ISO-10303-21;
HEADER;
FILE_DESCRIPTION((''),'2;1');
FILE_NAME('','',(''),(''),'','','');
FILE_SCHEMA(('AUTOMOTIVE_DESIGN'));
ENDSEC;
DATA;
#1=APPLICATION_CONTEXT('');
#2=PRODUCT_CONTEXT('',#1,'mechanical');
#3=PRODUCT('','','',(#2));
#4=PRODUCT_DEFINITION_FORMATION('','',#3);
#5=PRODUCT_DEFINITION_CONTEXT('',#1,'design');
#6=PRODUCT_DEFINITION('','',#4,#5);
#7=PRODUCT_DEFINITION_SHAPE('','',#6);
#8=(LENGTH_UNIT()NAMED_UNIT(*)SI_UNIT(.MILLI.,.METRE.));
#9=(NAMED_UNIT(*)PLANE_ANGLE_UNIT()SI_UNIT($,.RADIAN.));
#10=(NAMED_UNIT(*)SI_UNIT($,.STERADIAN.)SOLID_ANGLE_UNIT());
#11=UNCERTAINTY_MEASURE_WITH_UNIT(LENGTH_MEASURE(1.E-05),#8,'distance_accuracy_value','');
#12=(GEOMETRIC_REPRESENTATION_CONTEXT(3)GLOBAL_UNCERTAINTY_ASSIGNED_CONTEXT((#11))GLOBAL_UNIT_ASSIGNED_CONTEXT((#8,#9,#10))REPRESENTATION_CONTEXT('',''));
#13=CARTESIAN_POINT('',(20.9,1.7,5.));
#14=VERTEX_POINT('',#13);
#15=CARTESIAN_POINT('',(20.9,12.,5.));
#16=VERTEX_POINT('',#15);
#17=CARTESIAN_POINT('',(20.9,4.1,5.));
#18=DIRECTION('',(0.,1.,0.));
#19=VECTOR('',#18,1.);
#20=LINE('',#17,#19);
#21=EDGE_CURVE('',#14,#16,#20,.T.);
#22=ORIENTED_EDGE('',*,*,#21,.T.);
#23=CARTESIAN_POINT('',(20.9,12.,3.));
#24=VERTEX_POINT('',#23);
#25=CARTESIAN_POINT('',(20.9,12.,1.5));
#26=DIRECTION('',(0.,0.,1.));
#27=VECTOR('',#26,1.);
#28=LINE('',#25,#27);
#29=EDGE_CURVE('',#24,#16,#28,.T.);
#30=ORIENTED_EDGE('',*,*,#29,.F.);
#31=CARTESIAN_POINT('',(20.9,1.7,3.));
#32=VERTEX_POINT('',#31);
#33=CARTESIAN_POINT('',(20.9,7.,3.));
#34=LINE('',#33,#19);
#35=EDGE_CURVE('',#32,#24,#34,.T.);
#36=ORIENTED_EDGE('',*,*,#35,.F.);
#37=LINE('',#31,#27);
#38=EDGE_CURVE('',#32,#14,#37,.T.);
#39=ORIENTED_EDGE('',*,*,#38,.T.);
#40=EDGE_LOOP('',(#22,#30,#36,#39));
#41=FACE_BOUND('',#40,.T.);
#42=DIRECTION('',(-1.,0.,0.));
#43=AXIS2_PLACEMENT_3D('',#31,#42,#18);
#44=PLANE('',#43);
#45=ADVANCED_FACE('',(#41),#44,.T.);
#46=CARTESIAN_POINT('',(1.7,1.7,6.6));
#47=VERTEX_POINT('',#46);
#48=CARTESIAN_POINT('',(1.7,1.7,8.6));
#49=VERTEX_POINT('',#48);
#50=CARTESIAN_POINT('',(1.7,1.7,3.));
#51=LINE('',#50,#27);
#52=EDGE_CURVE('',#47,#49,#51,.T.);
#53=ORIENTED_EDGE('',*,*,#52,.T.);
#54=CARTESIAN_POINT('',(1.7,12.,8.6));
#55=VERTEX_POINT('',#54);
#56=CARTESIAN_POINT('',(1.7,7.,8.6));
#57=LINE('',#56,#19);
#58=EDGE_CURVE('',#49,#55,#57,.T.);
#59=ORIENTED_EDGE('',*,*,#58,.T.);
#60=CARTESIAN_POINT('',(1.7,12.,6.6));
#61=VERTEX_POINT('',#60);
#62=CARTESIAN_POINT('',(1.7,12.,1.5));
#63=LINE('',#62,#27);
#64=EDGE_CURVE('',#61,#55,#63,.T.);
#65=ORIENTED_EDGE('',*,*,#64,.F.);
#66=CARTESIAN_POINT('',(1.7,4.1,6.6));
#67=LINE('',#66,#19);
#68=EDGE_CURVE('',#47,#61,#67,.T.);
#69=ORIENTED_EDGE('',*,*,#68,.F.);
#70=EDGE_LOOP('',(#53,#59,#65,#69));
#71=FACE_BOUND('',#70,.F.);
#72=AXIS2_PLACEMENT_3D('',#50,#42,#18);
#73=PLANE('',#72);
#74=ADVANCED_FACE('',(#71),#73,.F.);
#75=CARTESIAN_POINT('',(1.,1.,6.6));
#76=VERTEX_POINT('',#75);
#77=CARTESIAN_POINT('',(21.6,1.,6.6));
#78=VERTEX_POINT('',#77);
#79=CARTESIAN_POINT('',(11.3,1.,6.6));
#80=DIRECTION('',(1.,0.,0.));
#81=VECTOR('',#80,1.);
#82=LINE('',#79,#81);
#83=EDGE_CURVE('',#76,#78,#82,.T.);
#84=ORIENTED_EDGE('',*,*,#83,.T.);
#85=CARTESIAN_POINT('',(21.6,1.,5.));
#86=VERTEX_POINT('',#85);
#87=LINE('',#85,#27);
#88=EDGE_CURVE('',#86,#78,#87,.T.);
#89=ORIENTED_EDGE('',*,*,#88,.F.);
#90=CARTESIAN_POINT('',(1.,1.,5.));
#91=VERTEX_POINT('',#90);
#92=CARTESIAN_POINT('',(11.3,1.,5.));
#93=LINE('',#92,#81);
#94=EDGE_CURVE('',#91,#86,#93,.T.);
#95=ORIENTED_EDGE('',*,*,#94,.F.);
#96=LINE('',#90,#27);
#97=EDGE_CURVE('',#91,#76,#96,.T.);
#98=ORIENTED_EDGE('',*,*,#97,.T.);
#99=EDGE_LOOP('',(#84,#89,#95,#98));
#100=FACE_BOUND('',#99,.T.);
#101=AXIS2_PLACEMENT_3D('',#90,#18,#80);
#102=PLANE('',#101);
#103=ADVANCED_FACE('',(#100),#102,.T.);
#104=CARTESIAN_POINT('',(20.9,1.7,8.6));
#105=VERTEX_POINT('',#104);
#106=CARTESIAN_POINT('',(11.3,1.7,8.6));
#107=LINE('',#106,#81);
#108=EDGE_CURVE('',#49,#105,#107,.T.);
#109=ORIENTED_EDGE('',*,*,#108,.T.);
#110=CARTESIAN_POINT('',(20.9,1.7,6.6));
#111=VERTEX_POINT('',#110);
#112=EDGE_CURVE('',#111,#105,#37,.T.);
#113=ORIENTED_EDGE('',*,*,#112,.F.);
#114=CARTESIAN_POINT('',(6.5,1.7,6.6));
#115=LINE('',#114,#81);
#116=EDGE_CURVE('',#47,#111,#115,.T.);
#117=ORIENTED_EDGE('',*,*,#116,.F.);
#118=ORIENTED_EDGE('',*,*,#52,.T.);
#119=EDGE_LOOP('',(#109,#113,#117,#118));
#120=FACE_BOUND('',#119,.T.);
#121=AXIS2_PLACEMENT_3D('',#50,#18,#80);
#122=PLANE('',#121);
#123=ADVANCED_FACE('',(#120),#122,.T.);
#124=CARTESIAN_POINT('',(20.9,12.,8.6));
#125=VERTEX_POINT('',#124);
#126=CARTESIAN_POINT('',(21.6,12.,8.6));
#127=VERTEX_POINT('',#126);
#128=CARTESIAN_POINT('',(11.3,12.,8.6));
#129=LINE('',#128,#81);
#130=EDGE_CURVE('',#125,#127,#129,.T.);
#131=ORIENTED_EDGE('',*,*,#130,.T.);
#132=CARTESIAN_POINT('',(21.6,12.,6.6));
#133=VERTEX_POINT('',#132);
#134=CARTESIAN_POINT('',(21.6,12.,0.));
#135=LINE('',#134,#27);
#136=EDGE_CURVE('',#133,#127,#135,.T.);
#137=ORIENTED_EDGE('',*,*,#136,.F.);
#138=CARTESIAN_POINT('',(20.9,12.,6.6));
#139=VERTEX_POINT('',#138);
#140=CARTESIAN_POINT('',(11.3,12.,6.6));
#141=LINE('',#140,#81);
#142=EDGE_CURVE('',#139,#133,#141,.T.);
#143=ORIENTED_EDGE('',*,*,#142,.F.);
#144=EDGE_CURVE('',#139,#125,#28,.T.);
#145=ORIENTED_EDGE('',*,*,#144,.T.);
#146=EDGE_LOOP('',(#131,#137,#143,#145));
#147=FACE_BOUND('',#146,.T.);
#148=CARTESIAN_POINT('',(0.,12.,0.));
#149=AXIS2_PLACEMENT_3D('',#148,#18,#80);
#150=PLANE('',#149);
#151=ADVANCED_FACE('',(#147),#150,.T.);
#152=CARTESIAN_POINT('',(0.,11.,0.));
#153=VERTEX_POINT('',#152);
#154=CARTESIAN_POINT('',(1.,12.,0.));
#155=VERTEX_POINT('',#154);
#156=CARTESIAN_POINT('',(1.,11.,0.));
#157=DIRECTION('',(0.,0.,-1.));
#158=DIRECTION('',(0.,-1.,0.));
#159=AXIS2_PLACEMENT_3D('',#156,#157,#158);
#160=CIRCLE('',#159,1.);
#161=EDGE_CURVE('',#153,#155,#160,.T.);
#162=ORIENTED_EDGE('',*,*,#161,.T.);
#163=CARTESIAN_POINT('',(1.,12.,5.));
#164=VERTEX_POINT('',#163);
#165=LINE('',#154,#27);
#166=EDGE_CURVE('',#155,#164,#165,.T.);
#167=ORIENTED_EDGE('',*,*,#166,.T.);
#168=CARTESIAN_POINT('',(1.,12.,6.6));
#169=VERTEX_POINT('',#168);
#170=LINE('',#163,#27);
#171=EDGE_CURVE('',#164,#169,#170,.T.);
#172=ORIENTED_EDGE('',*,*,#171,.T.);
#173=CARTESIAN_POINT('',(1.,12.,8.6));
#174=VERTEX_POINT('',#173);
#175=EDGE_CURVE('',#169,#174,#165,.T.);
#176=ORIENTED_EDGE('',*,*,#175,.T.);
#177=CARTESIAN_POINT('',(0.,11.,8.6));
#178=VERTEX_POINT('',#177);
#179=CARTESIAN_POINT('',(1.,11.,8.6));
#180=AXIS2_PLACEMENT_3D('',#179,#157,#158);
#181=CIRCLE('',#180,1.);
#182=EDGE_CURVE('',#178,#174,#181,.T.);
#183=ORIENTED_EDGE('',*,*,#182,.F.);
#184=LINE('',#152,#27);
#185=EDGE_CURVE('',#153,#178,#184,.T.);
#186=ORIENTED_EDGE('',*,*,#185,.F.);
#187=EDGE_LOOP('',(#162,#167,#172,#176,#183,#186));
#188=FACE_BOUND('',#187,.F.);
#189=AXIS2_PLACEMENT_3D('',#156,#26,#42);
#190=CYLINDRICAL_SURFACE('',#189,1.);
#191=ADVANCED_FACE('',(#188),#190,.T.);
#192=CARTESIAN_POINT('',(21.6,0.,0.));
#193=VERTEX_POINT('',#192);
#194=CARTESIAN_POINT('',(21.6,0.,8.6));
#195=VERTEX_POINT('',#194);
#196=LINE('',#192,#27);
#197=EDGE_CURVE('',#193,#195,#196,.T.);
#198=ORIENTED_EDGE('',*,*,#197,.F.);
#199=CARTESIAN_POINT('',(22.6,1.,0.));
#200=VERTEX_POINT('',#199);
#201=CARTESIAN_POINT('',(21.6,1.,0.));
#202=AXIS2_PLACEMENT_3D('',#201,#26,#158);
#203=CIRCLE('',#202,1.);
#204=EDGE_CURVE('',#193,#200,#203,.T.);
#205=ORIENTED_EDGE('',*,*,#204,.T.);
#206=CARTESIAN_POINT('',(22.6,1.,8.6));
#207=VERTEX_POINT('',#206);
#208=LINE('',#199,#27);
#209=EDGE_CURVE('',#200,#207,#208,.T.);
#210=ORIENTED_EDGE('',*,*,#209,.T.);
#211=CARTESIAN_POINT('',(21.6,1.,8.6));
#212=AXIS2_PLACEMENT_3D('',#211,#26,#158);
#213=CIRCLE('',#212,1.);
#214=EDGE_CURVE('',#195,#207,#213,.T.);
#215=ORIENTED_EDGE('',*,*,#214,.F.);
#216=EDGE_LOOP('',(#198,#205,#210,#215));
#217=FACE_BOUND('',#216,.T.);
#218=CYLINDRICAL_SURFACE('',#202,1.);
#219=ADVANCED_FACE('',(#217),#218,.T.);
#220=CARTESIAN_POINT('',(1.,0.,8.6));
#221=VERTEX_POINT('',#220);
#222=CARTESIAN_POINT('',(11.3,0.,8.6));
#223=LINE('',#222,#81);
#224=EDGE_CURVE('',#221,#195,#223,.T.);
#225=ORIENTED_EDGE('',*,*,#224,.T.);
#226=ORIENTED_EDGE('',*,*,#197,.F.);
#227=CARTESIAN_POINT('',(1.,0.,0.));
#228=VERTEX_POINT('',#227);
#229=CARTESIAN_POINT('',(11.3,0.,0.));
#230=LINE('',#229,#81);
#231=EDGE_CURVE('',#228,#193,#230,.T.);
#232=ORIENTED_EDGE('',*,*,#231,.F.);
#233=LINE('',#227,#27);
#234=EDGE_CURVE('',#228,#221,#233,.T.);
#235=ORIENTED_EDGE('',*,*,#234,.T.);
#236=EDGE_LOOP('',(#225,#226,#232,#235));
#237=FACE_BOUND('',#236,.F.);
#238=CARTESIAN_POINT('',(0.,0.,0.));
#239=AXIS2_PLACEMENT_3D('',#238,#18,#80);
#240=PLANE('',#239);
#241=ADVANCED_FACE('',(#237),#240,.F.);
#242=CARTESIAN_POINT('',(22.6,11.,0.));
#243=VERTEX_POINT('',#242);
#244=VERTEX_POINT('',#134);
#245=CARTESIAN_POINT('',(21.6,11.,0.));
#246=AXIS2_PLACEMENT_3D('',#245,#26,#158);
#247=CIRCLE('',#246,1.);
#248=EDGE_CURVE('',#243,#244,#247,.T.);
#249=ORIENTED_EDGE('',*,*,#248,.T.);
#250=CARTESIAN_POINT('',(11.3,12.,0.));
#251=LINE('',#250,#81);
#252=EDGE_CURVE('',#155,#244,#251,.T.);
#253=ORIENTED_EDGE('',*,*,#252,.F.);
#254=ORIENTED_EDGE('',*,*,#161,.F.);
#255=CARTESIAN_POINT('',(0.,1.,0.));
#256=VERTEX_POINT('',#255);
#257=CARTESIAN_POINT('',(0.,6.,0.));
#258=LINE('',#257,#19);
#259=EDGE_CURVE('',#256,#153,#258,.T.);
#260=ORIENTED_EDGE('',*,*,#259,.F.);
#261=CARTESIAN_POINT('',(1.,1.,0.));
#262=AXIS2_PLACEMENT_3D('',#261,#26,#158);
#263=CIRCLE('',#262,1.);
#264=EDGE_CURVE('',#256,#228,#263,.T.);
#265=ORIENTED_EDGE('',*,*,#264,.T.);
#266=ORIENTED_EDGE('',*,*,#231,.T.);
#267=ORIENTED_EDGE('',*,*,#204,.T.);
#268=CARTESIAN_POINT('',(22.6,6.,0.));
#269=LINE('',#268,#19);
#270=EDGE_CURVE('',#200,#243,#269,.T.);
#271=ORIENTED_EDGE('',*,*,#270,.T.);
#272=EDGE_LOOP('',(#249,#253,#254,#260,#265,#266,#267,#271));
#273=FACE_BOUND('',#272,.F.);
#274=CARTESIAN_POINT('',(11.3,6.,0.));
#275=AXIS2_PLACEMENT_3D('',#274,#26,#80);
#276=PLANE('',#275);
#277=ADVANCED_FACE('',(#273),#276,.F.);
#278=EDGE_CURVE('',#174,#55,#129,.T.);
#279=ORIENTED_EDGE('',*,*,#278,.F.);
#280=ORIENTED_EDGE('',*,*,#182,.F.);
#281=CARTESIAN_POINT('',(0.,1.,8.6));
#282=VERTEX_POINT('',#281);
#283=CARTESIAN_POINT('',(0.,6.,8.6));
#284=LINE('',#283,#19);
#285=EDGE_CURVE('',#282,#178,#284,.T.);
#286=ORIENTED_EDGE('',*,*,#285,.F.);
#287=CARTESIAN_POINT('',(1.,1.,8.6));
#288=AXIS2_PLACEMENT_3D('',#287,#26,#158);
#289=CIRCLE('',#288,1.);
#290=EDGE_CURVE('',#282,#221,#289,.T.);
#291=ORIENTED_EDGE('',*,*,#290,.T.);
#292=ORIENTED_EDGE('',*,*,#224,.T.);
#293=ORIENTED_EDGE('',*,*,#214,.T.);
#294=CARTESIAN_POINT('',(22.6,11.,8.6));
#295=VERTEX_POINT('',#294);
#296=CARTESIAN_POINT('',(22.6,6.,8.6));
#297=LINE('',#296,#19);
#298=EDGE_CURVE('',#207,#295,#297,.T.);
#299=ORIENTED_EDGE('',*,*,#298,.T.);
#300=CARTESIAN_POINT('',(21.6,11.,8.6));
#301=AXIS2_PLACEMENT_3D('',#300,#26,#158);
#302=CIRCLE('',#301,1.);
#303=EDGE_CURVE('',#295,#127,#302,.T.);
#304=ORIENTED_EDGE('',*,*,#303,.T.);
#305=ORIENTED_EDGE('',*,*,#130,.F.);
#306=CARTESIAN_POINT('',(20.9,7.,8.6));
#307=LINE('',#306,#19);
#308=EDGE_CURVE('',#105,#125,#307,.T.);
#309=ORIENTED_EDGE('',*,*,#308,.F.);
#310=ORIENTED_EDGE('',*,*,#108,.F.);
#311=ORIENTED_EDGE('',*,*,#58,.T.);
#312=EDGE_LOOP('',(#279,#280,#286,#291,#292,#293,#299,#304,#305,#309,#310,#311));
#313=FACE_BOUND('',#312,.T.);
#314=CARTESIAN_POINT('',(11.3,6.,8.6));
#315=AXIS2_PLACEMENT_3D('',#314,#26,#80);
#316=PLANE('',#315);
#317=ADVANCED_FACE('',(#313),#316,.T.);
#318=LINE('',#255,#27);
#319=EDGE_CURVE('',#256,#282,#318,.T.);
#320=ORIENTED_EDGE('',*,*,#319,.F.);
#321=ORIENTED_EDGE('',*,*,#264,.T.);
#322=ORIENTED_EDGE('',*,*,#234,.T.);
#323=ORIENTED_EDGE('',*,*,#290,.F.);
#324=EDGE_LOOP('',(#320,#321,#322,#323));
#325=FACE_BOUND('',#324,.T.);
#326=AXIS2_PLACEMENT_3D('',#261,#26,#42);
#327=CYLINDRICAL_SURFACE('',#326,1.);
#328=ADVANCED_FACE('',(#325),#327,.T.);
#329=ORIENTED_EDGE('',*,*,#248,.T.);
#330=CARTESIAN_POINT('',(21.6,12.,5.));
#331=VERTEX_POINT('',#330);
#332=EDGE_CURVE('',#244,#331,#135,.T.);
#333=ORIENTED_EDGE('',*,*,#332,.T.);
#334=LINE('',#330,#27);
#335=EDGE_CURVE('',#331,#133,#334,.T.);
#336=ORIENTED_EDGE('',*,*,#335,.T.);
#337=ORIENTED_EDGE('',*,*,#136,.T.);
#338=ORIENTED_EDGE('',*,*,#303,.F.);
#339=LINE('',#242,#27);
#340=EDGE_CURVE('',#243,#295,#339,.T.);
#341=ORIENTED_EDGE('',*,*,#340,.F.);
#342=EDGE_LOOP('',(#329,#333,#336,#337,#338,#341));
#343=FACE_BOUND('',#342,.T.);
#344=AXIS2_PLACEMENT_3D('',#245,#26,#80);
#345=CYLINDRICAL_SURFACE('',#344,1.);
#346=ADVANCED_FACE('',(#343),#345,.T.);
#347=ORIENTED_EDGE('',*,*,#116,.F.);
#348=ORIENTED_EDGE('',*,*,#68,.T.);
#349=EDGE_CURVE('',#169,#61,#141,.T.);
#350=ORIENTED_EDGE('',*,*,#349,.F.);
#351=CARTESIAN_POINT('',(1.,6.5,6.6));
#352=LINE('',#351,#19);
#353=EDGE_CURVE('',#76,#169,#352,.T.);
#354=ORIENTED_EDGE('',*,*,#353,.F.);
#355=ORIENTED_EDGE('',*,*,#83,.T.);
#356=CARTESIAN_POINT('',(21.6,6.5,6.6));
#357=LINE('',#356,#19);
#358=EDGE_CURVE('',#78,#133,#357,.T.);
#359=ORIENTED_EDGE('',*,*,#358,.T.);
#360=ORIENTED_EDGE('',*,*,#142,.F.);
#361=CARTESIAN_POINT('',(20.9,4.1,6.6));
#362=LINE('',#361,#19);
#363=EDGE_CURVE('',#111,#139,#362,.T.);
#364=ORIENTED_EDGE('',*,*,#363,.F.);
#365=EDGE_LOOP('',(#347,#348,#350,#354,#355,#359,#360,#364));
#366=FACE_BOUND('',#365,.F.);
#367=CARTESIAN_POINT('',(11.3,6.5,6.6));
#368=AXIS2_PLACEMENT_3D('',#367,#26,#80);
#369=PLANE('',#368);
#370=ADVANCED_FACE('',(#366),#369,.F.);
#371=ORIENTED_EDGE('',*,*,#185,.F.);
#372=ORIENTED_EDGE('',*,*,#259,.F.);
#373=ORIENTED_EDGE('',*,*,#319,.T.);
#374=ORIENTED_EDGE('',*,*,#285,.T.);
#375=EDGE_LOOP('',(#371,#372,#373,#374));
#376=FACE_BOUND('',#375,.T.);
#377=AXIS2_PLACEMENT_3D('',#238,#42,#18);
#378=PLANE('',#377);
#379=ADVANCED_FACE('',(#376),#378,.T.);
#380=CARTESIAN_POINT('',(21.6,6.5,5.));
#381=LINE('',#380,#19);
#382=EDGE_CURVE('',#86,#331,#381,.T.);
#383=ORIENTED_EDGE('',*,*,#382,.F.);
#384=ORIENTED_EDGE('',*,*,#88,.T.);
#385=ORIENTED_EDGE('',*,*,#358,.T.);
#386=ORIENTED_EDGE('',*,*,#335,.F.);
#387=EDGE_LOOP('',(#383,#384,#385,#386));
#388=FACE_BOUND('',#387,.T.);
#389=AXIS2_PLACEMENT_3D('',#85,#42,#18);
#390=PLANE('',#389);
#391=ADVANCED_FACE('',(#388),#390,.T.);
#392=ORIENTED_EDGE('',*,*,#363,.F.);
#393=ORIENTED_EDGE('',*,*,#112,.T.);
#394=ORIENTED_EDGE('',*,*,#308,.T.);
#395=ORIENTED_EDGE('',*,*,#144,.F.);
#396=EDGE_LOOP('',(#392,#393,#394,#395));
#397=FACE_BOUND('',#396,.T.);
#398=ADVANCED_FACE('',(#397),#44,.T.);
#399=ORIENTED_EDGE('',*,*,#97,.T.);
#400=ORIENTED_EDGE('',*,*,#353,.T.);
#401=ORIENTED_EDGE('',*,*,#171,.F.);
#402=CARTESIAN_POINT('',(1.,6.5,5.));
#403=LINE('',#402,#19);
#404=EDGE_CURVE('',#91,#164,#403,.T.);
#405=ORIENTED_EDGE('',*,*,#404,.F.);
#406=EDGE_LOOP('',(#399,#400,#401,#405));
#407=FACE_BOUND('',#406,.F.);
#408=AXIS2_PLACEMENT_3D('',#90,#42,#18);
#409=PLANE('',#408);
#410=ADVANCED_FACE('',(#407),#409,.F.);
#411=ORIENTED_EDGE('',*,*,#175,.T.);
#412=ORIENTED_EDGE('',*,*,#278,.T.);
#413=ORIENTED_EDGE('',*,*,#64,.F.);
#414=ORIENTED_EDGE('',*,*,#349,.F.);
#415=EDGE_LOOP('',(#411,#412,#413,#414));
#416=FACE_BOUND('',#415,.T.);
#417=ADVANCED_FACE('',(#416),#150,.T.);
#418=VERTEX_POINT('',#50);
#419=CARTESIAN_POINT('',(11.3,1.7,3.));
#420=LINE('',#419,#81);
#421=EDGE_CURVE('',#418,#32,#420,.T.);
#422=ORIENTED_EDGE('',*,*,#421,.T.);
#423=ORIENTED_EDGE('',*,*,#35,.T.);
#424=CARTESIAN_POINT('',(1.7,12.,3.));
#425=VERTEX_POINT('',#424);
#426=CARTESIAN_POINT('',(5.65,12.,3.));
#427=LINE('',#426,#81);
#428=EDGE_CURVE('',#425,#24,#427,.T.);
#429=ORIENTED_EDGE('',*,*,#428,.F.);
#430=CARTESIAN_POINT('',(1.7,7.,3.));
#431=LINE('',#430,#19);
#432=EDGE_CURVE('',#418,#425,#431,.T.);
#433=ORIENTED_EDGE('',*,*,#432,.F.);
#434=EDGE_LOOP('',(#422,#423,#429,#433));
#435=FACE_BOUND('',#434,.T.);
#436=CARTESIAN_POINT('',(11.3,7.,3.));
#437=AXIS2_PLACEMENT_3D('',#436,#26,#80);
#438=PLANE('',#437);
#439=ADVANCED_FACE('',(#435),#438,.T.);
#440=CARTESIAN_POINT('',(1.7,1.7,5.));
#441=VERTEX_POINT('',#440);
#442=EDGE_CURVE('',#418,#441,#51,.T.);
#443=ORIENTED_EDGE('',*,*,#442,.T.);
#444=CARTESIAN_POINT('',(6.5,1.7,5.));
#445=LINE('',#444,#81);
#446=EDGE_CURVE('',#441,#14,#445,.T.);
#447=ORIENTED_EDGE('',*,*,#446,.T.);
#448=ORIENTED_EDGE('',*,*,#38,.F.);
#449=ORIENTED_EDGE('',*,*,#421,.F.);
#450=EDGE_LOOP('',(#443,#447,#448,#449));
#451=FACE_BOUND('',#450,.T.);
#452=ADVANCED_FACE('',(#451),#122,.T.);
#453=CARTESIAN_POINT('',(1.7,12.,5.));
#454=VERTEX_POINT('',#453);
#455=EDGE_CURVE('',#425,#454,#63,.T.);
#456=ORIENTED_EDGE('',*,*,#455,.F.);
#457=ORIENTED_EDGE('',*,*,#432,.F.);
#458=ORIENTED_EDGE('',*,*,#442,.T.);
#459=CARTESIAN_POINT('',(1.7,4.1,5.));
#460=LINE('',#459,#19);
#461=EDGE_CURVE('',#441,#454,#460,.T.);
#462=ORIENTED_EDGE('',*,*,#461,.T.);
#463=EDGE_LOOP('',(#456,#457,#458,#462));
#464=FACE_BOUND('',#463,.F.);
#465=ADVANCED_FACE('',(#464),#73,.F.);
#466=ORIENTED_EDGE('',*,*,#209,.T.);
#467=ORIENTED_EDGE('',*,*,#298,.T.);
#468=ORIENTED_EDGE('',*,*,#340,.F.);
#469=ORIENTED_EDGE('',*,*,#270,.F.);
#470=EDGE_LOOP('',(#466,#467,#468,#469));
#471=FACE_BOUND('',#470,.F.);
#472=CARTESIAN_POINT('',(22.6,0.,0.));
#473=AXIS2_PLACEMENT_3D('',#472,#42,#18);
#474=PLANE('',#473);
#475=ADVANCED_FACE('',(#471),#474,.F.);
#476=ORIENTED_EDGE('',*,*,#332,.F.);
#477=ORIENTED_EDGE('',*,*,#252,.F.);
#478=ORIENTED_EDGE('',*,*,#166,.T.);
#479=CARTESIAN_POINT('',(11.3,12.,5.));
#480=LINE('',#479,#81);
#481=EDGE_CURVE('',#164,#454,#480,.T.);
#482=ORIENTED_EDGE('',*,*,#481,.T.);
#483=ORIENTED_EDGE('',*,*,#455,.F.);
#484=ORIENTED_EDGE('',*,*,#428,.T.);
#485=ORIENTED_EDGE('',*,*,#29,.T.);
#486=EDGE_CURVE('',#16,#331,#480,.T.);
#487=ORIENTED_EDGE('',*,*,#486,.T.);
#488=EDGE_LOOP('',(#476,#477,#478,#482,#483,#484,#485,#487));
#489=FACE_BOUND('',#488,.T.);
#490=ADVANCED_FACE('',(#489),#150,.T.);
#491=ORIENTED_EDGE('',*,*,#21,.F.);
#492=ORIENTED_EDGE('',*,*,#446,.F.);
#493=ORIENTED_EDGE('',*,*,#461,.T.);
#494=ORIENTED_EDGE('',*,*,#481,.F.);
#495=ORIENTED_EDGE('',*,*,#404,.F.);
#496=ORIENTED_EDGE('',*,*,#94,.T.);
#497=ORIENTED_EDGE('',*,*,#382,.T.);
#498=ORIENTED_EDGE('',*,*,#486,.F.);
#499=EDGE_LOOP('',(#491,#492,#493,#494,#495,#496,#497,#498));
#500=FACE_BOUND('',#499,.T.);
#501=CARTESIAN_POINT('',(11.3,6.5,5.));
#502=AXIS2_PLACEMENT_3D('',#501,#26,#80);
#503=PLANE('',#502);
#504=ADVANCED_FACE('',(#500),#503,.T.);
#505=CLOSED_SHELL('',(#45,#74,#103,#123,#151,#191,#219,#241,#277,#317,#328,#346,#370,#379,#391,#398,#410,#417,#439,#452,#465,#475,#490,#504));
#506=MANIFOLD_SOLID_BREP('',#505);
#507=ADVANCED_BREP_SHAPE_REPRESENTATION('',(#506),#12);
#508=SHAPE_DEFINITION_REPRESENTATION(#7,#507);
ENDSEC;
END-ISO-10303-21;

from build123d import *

# Parameters (mm, degrees)
BOX007_W     = 20.6
BOX007_H     = 11
BOX007_DEPTH = 1.6
BOX006_W     = 19.2
BOX006_H     = 10.6
BOX006_DEPTH = 5.6
BOX_W        = 22.6
BOX_H        = 12
BOX_DEPTH    = 8.6
FILLET_R     = 1


with BuildPart() as pcb_extract_cube:
    # Box007 → Box007 (new body)
    with BuildSketch(Plane(origin=(1, 1, 5), x_dir=(1, 0, 0), z_dir=(0, 0, 1))):
        with Locations((10.3, 5.5)):
            Rectangle(BOX007_W, BOX007_H)
    extrude(amount=BOX007_DEPTH)


with BuildPart() as extract_fusion:
    # Box006 → Box006 (new body)
    with BuildSketch(Plane(origin=(1.7, 1.7, 3), x_dir=(1, 0, 0), z_dir=(0, 0, 1))):
        with Locations((9.6, 5.3)):
            Rectangle(BOX006_W, BOX006_H)
    extrude(amount=BOX006_DEPTH)

    # Fusion: union pcb extract cube
    add(pcb_extract_cube.part)


with BuildPart() as hw_613_cut001:
    # Box → Box (new body)
    with BuildSketch(Plane.XY):
        with Locations((11.3, 6)):
            Rectangle(BOX_W, BOX_H)
    extrude(amount=BOX_DEPTH)

    # Fillet
    fillet_edges = [hw_613_cut001.edges().sort_by_distance(p)[0] for p in [
        (0, 0, 4.3),
        (0, 12, 4.3),
        (22.6, 0, 4.3),
        (22.6, 12, 4.3),
    ]]
    fillet(fillet_edges, radius=FILLET_R)

    # Cut003006: cut extract fusion
    add(extract_fusion.part, mode=Mode.SUBTRACT)


solid = hw_613_cut001.part
